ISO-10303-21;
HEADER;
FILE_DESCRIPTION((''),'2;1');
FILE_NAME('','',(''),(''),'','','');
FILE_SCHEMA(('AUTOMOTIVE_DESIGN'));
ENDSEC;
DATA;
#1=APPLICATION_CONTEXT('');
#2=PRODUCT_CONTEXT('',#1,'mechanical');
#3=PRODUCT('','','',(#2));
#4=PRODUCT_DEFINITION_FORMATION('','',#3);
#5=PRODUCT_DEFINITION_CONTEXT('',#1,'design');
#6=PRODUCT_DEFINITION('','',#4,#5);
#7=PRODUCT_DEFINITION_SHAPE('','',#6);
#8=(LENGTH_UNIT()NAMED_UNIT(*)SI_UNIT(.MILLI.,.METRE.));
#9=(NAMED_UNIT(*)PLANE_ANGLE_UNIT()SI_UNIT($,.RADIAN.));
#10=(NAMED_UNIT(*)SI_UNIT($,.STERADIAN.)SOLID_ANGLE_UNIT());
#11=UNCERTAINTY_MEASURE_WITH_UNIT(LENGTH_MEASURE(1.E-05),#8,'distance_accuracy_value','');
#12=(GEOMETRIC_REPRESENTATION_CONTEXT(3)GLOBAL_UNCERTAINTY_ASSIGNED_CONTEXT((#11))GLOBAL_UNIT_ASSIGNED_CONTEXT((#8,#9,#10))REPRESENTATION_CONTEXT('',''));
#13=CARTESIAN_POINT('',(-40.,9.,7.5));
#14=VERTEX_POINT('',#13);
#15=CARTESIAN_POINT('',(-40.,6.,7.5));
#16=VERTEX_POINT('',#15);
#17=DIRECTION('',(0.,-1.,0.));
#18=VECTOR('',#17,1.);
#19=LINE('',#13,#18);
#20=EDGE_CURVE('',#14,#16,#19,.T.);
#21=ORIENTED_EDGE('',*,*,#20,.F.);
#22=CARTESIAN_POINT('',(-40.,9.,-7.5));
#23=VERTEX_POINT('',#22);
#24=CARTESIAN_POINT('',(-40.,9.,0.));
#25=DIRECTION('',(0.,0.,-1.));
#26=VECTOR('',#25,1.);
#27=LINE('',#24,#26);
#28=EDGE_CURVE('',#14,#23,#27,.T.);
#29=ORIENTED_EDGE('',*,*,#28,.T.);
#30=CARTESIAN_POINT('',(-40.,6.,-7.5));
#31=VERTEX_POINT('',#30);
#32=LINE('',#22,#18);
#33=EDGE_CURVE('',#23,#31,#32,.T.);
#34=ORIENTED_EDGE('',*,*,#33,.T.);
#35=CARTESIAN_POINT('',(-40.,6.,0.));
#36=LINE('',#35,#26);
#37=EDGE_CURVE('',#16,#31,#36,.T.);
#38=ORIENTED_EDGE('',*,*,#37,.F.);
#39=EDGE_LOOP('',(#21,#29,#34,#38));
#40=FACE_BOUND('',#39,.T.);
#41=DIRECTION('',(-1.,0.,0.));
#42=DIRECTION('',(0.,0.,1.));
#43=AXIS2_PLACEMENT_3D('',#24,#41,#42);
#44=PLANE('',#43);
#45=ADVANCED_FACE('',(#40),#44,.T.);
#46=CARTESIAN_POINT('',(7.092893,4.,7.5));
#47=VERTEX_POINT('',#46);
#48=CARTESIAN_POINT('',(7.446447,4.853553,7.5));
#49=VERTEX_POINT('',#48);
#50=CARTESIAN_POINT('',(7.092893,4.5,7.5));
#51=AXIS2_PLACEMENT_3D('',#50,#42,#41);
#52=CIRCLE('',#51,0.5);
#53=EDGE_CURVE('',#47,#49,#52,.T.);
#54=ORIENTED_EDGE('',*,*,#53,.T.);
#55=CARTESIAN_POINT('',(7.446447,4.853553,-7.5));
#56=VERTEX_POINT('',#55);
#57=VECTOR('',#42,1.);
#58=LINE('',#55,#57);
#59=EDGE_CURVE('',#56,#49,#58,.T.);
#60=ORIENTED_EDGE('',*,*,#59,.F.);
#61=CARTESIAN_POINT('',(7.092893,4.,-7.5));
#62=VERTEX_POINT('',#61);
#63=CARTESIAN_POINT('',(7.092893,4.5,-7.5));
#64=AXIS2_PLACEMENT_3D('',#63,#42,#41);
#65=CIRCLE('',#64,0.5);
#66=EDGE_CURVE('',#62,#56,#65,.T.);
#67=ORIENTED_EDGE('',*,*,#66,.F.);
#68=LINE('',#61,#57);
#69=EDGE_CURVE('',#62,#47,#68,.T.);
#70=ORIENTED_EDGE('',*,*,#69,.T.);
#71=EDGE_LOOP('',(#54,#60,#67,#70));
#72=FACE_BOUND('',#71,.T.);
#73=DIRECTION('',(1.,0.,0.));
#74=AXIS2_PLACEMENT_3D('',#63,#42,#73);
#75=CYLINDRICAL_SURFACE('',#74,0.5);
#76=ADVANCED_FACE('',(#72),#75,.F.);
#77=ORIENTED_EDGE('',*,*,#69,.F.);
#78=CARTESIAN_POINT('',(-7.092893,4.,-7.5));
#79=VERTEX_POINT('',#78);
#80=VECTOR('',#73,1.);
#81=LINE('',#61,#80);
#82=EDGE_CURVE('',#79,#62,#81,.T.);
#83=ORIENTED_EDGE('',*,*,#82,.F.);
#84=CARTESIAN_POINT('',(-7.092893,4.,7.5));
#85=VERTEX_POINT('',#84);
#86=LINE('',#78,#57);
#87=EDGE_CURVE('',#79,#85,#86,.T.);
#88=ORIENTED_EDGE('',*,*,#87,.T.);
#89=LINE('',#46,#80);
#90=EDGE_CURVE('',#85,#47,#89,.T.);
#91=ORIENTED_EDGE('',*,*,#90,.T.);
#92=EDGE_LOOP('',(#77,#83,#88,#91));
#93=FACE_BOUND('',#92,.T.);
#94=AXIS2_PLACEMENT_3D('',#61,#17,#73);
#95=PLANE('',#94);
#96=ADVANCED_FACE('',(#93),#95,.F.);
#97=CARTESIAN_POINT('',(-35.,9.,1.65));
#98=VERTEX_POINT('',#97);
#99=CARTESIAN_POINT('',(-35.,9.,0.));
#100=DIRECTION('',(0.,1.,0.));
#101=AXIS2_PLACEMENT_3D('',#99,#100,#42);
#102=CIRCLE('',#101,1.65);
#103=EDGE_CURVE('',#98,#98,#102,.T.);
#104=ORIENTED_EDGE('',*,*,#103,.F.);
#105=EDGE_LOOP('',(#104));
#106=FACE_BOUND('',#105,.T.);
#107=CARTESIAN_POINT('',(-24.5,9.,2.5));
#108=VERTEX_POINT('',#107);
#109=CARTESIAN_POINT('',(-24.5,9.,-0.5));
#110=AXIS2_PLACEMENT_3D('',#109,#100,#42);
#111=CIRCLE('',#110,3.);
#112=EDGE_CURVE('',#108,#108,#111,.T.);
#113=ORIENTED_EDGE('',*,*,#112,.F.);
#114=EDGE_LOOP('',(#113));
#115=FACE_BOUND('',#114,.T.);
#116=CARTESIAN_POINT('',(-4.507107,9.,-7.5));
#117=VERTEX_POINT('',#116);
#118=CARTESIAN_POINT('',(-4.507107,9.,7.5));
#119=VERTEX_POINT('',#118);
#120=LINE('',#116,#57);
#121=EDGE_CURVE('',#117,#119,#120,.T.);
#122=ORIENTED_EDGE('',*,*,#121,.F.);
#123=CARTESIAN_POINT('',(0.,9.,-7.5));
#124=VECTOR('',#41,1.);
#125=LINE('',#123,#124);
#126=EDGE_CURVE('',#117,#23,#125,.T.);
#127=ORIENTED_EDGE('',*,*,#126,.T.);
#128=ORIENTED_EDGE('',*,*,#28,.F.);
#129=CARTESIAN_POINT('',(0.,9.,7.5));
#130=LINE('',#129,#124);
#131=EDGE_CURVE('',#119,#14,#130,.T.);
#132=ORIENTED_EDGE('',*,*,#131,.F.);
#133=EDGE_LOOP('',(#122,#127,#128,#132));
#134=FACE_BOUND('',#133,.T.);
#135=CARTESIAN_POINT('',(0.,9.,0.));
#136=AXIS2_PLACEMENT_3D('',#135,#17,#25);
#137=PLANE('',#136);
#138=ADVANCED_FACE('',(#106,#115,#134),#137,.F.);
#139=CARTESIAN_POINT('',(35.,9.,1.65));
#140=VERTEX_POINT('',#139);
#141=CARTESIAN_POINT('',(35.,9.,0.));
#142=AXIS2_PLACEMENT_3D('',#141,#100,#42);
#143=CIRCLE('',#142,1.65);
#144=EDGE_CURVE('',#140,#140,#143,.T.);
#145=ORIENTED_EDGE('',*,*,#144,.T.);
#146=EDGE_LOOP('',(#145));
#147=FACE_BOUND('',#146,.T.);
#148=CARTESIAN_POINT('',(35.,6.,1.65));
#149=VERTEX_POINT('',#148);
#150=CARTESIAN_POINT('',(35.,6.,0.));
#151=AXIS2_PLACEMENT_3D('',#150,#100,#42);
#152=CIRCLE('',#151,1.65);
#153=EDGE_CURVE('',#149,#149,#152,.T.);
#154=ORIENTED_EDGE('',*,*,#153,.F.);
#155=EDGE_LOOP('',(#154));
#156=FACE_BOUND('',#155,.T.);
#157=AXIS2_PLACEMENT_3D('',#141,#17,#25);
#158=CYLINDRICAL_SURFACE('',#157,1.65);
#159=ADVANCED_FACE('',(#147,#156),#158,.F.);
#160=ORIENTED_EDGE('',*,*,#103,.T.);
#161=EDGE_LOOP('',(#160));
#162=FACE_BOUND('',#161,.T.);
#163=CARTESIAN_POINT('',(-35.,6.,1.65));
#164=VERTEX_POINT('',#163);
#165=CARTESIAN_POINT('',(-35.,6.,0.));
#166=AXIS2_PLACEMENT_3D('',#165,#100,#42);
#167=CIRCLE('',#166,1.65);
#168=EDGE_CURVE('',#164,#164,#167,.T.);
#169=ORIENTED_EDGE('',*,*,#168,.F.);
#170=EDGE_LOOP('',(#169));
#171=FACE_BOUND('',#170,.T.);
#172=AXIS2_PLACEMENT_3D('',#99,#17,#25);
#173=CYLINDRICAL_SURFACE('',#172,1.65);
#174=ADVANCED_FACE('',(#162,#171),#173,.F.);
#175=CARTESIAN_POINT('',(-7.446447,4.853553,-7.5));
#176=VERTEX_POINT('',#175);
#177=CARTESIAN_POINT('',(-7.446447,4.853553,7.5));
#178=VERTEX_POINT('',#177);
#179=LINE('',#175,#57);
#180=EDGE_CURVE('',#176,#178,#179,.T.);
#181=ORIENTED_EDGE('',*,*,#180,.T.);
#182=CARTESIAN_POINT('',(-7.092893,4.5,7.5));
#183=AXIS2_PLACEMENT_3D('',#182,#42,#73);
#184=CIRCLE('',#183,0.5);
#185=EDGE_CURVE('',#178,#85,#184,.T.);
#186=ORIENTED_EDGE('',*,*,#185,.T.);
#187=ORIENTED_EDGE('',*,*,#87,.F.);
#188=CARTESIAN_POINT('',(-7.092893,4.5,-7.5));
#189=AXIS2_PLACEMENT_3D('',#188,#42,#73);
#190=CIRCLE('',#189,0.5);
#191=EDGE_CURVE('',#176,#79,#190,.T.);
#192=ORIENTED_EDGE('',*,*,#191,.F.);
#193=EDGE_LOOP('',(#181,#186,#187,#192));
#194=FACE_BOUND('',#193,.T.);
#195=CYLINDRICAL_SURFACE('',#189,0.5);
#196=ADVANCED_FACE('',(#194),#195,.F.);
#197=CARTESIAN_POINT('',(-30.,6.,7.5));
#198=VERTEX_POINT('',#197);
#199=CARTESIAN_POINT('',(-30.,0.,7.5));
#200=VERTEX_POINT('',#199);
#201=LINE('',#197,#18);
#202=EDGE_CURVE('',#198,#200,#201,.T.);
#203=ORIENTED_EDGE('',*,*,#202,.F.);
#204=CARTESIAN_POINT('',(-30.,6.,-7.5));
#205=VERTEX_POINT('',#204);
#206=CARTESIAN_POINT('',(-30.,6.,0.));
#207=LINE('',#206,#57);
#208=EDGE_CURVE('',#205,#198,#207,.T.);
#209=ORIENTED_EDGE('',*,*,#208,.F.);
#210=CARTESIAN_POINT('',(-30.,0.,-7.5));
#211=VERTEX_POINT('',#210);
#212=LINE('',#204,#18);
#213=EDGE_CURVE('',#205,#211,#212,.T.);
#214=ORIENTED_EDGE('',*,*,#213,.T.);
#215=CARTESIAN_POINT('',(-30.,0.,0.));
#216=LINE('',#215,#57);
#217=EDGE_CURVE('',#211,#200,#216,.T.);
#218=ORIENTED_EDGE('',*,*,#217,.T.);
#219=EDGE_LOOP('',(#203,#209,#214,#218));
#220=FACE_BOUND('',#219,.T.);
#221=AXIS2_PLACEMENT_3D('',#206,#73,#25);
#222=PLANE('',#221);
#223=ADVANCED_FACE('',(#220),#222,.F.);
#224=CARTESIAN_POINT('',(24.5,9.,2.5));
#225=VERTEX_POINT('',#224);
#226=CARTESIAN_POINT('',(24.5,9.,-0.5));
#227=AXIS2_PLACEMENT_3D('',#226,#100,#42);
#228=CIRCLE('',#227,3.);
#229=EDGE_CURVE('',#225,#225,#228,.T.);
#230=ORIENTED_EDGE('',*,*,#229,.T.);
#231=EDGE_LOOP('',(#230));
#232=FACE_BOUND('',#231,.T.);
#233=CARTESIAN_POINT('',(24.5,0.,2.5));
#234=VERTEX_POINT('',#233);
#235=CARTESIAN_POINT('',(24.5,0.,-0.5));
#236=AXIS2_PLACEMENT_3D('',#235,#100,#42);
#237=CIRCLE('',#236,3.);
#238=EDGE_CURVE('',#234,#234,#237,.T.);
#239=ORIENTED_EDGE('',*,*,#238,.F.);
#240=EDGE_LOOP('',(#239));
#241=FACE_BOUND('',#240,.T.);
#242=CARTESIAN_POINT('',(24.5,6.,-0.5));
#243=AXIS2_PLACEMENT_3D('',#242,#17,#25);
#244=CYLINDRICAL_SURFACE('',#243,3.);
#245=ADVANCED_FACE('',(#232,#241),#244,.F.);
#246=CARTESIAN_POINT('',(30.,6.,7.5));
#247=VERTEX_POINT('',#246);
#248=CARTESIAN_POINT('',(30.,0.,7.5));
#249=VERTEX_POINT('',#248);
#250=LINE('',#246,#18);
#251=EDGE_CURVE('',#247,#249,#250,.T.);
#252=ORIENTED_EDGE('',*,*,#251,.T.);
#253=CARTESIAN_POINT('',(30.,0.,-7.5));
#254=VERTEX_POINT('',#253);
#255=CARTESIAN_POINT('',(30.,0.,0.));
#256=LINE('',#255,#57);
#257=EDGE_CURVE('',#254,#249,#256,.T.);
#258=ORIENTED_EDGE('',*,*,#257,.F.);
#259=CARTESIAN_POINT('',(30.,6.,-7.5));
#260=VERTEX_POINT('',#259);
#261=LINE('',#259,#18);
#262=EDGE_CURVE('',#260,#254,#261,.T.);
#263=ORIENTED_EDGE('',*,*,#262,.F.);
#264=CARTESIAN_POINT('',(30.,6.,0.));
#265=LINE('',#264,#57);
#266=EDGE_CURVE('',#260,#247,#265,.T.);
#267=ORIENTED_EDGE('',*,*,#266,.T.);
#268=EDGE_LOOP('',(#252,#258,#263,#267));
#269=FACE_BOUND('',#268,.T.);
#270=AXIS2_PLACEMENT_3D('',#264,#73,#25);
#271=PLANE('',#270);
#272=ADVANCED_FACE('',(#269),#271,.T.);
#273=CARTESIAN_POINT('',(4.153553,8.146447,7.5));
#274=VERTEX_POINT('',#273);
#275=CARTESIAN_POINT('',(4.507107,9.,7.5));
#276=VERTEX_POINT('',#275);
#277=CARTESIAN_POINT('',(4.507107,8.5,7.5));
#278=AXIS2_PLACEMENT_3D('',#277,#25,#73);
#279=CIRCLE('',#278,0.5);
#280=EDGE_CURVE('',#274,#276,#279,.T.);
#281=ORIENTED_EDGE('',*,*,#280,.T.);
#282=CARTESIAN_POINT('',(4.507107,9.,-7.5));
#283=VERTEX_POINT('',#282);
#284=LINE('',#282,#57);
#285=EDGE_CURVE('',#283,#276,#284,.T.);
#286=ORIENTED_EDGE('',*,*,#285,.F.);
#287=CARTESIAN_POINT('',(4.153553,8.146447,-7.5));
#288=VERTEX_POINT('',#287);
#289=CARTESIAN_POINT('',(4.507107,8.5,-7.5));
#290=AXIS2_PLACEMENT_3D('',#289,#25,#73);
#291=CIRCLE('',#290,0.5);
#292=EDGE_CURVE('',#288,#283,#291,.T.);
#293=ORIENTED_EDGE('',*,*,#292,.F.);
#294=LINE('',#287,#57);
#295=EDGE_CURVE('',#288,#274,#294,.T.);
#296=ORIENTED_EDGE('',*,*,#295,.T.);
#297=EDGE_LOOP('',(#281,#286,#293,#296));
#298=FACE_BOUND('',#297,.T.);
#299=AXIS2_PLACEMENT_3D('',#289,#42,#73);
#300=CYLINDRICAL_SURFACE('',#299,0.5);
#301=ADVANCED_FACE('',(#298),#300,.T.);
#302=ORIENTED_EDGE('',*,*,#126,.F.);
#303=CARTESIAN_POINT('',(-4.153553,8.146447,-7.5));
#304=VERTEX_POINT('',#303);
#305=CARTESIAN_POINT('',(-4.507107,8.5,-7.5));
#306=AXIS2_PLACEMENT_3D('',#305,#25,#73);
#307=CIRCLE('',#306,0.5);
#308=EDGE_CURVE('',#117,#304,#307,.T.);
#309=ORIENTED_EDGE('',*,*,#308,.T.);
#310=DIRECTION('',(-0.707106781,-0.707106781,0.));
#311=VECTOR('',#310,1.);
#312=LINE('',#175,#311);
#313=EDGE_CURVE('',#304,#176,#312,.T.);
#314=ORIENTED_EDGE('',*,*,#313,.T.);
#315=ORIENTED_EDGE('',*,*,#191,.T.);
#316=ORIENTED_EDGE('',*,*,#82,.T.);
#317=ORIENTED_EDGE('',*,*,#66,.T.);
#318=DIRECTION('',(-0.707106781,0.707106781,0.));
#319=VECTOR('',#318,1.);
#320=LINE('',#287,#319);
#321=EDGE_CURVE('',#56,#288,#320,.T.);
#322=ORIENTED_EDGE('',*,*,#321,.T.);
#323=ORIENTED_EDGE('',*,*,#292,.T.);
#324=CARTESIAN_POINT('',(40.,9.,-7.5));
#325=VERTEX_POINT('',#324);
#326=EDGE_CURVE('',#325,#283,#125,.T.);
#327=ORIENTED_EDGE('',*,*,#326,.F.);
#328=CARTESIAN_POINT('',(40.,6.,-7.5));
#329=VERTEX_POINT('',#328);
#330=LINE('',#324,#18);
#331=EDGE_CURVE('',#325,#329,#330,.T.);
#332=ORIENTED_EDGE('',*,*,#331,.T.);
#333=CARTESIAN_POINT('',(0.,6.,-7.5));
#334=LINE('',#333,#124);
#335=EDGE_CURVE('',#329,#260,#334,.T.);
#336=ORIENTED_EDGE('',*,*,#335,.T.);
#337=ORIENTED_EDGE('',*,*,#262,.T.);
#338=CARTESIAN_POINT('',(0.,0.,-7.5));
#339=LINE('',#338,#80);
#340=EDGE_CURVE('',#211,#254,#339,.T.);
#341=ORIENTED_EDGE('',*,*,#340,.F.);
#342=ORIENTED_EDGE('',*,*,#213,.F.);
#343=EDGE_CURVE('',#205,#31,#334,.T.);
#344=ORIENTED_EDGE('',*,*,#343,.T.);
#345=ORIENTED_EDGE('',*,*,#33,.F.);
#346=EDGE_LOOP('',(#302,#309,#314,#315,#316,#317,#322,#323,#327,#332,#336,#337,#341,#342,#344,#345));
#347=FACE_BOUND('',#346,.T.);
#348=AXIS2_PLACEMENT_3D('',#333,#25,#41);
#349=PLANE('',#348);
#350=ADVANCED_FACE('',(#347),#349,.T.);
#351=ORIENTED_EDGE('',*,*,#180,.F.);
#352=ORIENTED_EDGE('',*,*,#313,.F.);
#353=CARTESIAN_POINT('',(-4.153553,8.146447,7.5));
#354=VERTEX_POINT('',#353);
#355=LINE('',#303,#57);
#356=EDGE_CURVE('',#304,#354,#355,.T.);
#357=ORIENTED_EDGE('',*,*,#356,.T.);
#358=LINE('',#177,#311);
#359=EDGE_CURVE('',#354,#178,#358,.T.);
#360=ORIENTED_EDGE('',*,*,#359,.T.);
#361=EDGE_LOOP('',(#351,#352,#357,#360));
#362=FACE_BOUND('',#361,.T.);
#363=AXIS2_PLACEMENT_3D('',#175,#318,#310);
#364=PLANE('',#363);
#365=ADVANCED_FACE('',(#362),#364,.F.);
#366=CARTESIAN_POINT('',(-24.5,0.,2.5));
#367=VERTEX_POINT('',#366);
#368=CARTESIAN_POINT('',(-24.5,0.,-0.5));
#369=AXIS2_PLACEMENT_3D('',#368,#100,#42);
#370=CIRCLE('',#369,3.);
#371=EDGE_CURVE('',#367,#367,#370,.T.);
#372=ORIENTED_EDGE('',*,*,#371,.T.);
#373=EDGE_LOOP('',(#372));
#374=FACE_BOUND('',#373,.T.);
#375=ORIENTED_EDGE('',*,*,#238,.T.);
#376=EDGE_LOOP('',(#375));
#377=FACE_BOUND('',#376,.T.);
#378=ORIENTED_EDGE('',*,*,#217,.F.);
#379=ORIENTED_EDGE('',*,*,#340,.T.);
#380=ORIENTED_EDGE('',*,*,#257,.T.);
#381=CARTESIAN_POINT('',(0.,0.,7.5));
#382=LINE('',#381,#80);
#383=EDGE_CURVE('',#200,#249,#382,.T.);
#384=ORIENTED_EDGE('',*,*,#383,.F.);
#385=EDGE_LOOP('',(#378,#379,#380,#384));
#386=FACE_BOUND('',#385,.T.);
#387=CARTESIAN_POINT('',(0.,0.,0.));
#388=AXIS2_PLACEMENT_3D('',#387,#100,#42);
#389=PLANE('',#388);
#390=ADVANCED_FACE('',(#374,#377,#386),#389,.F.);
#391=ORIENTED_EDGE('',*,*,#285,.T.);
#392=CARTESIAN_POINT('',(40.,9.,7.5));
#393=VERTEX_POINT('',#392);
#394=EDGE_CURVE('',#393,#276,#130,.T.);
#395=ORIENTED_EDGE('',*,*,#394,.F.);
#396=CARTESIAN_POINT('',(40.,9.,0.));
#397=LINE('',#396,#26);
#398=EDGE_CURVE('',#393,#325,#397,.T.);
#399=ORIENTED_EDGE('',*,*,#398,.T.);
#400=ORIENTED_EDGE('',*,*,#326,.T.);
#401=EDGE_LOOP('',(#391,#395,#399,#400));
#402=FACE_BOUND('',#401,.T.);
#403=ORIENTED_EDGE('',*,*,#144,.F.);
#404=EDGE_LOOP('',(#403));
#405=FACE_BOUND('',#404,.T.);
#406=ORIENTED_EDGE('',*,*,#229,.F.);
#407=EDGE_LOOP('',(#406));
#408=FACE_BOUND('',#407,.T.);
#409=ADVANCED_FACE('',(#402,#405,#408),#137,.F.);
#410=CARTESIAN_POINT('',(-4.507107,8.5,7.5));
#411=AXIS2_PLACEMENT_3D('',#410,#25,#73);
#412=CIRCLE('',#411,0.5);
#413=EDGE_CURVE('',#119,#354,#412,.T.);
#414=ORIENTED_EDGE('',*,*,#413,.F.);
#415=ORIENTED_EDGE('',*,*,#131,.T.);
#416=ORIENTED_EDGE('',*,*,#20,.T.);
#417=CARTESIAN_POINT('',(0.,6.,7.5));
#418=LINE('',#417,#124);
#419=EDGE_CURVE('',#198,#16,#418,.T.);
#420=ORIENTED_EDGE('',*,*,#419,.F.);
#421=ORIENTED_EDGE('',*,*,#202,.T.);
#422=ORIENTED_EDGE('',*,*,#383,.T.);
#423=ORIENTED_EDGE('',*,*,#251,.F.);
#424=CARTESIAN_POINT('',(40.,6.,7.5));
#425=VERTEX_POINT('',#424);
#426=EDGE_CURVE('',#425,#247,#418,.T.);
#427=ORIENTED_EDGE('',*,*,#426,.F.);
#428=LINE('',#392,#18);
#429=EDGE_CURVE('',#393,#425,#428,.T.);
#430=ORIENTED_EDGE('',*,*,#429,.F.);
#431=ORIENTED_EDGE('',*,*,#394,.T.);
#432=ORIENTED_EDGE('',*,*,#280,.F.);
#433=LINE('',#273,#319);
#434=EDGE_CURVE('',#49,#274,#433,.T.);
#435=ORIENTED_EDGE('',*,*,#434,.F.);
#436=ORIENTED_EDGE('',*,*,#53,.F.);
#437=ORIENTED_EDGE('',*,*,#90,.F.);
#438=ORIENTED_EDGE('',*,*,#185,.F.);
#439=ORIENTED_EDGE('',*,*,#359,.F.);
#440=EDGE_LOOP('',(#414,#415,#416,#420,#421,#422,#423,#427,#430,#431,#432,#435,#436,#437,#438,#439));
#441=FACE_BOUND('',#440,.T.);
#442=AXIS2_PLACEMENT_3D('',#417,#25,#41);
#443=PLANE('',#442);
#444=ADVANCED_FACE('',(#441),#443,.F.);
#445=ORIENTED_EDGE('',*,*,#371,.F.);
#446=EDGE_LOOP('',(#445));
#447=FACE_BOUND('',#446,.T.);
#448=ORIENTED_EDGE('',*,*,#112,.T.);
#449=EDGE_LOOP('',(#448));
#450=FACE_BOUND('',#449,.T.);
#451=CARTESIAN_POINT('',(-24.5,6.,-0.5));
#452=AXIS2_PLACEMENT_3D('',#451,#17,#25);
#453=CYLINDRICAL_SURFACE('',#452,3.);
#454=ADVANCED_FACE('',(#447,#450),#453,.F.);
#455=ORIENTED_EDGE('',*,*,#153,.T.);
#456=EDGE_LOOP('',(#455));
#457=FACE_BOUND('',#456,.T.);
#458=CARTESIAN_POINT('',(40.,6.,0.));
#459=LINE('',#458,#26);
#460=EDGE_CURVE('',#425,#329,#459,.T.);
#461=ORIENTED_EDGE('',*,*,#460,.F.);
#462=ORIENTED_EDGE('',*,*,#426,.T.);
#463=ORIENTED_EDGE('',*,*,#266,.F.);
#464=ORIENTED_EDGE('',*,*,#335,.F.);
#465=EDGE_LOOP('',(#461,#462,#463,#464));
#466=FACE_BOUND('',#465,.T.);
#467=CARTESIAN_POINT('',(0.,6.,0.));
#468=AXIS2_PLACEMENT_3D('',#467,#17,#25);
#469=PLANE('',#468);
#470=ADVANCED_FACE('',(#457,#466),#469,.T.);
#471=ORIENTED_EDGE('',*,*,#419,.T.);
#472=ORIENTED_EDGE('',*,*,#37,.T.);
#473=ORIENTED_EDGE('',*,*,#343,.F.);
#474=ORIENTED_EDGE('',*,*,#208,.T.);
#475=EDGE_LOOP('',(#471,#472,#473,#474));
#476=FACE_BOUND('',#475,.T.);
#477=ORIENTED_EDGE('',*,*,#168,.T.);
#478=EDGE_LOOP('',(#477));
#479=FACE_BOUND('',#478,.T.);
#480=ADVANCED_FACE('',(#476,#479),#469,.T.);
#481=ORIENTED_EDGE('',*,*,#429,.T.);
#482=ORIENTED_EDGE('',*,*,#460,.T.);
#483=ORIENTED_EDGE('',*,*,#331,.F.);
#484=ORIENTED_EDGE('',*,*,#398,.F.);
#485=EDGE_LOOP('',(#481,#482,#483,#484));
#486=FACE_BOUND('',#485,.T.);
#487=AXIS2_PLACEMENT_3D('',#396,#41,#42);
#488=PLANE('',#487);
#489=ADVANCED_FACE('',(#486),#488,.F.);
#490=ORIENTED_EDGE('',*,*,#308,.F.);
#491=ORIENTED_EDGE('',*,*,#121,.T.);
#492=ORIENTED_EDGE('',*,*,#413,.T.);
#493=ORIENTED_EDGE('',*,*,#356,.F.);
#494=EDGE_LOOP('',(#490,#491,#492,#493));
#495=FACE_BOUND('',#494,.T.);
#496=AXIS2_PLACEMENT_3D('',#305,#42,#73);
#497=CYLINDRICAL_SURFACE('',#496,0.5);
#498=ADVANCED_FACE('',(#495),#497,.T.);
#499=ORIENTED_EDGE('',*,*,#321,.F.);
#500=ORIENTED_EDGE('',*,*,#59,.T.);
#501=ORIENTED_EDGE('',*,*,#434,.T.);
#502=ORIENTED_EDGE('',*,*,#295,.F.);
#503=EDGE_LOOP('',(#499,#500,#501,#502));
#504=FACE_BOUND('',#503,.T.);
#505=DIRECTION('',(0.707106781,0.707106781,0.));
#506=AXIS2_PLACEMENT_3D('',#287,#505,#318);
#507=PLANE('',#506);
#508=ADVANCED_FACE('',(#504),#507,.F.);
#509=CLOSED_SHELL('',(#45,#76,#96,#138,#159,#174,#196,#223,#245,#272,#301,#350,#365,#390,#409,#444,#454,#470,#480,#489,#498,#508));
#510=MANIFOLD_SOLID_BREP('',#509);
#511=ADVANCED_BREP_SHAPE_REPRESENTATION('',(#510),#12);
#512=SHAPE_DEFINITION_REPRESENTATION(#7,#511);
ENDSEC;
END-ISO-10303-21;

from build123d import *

# Parameters (mm, degrees)
SKETCH_1_W               = 60
SKETCH_1_H               = 15
SKETCH_1_R               = 3
EXTRUDE_1_DEPTH          = 6
EXTRUDE_START            = 6
SKETCH_1_3_W             = 80
SKETCH_1_3_H             = 15
SKETCH_1_3_R             = 1.65
SKETCH_1_3_R_2           = 3
EXTRUDE_2_DEPTH          = 3
CUT_EXTRUDE_1_DEPTH      = 42.680331093
CUT_EXTRUDE_1_DEPTH_BACK = 42.680331093


with BuildPart() as part:
    # Эскиз1 → Бобышка-Вытянуть1 (new body)
    with BuildSketch(Plane(origin=(0, 0, 0), x_dir=(1, 0, 0), z_dir=(0, 1, 0))):
        Rectangle(SKETCH_1_W, SKETCH_1_H)
        with Locations(Location((24.5, 0.5, 0), (0, 0, 270))):
            Circle(SKETCH_1_R, mode=Mode.SUBTRACT)
        with Locations(Location((-24.5, 0.5, 0), (0, 0, 270))):
            Circle(SKETCH_1_R, mode=Mode.SUBTRACT)
    extrude(amount=EXTRUDE_1_DEPTH)

    # Эскиз1<3> → Бобышка-Вытянуть2 (add)
    with BuildSketch(Plane(origin=(0, 0, 0), x_dir=(1, 0, 0), z_dir=(0, 1, 0)).offset(EXTRUDE_START)):
        Rectangle(SKETCH_1_3_W, SKETCH_1_3_H)
        with Locations(Location((-35, 0, 0), (0, 0, 270))):
            Circle(SKETCH_1_3_R, mode=Mode.SUBTRACT)
        with Locations(Location((24.5, 0.5, 0), (0, 0, 270))):
            Circle(SKETCH_1_3_R_2, mode=Mode.SUBTRACT)
        with Locations(Location((-24.5, 0.5, 0), (0, 0, 270))):
            Circle(SKETCH_1_3_R_2, mode=Mode.SUBTRACT)
        with Locations(Location((35, 0, 0), (0, 0, 270))):
            Circle(SKETCH_1_3_R, mode=Mode.SUBTRACT)
    extrude(amount=EXTRUDE_2_DEPTH)

    # Эскиз2 → Вырез-Вытянуть1 (cut, two sides: drawn at the far end of the back side and taken through both)
    with BuildSketch(Plane.XY.offset(-CUT_EXTRUDE_1_DEPTH_BACK)):
        with BuildLine():
            Line((4.153553391, 8.146446609), (7.446446609, 4.853553391))
            ThreePointArc((7.446446609, 4.853553391), (7.554832985, 4.308658284), (7.092893219, 4))
            Line((7.092893219, 4), (-7.092893219, 4))
            ThreePointArc((-7.092893219, 4), (-7.554832985, 4.308658284), (-7.446446609, 4.853553391))
            Line((-7.446446609, 4.853553391), (-4.153553391, 8.146446609))
            ThreePointArc((-4.153553391, 8.146446609), (-4.045167015, 8.691341716), (-4.507106781, 9))
            Line((-4.507106781, 9), (4.507106781, 9))
            ThreePointArc((4.507106781, 9), (4.045167015, 8.691341716), (4.153553391, 8.146446609))
        make_face()
    extrude(amount=CUT_EXTRUDE_1_DEPTH + CUT_EXTRUDE_1_DEPTH_BACK, mode=Mode.SUBTRACT)


solid = part.part
